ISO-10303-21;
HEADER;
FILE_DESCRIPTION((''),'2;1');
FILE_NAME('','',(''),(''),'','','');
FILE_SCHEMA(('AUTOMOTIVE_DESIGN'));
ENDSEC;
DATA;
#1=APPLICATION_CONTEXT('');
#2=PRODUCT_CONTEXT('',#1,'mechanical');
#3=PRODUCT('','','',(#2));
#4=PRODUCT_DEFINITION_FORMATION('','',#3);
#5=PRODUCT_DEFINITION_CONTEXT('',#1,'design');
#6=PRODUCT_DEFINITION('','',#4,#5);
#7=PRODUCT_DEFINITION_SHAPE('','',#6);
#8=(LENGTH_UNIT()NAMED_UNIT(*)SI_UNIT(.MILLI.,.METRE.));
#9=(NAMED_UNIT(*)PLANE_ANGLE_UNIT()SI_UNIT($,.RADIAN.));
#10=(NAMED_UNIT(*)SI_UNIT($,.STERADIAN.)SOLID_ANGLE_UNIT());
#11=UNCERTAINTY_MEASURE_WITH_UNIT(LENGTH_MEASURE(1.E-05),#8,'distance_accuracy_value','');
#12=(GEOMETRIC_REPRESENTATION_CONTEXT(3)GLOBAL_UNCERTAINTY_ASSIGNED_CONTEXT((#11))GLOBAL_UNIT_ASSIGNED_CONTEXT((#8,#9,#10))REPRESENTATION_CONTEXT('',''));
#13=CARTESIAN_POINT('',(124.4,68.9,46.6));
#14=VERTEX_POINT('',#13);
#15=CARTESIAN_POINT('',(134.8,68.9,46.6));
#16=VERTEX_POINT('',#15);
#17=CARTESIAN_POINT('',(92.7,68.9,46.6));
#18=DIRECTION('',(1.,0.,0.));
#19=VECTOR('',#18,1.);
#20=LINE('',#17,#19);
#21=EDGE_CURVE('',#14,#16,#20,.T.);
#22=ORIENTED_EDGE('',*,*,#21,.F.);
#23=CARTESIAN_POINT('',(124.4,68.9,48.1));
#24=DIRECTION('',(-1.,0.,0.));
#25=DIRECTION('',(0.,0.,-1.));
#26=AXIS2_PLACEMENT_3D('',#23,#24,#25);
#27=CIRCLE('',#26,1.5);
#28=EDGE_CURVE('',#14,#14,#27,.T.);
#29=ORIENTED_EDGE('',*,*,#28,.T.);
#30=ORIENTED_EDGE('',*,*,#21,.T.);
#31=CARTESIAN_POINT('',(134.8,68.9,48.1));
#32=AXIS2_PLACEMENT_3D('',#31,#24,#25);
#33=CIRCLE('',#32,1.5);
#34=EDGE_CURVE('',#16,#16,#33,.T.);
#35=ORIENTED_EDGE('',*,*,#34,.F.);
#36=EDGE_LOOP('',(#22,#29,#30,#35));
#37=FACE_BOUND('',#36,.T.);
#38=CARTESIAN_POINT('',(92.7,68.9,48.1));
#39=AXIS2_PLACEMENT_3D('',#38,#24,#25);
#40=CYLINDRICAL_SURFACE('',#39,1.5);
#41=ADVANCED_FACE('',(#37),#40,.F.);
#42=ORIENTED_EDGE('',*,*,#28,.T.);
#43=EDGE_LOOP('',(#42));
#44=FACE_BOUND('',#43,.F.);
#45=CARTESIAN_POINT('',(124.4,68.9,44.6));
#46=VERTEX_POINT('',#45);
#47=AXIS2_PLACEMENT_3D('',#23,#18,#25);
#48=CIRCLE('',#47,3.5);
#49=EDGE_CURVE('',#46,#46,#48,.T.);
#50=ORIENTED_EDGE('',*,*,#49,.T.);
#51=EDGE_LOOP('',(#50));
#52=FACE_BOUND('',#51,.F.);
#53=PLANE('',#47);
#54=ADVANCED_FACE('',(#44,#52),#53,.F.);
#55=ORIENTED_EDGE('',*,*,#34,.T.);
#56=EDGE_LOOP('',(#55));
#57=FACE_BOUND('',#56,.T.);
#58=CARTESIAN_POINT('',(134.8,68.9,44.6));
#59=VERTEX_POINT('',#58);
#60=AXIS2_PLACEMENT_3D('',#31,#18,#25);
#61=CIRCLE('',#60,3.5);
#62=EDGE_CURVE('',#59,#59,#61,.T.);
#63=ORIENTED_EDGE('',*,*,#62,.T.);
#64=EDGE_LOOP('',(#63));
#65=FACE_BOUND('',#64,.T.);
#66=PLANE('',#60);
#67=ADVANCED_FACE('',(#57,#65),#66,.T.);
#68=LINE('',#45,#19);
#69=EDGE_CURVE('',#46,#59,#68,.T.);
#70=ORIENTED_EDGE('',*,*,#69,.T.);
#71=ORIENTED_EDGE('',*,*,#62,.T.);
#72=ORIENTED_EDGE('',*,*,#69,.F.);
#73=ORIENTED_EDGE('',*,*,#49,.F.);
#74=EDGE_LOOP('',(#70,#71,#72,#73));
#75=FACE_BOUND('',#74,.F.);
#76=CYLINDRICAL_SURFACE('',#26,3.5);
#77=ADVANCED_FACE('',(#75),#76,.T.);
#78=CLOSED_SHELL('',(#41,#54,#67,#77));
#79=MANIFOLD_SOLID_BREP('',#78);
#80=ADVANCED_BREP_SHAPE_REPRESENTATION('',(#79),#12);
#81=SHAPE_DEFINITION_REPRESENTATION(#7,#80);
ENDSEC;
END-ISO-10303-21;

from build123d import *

# Parameters (mm, degrees)
CYLINDER176_R     = 1.5
CYLINDER176_DEPTH = 55
CYLINDER171_R     = 3.5
CYLINDER171_DEPTH = 10.4


with BuildPart() as cylinder176:
    # Cylinder176 → Cylinder176 (new body)
    with BuildSketch(Plane(origin=(92.7, 68.9, 48.1), x_dir=(0, 0, -1), z_dir=(1, 0, 0))):
        Circle(CYLINDER176_R)
    extrude(amount=CYLINDER176_DEPTH)


with BuildPart() as cut209:
    # Cylinder171 → Cylinder171 (new body)
    with BuildSketch(Plane(origin=(124.4, 68.9, 48.1), x_dir=(0, 0, -1), z_dir=(1, 0, 0))):
        Circle(CYLINDER171_R)
    extrude(amount=CYLINDER171_DEPTH)

    # Cut209: cut Cylinder176
    add(cylinder176.part, mode=Mode.SUBTRACT)


solid = cut209.part
